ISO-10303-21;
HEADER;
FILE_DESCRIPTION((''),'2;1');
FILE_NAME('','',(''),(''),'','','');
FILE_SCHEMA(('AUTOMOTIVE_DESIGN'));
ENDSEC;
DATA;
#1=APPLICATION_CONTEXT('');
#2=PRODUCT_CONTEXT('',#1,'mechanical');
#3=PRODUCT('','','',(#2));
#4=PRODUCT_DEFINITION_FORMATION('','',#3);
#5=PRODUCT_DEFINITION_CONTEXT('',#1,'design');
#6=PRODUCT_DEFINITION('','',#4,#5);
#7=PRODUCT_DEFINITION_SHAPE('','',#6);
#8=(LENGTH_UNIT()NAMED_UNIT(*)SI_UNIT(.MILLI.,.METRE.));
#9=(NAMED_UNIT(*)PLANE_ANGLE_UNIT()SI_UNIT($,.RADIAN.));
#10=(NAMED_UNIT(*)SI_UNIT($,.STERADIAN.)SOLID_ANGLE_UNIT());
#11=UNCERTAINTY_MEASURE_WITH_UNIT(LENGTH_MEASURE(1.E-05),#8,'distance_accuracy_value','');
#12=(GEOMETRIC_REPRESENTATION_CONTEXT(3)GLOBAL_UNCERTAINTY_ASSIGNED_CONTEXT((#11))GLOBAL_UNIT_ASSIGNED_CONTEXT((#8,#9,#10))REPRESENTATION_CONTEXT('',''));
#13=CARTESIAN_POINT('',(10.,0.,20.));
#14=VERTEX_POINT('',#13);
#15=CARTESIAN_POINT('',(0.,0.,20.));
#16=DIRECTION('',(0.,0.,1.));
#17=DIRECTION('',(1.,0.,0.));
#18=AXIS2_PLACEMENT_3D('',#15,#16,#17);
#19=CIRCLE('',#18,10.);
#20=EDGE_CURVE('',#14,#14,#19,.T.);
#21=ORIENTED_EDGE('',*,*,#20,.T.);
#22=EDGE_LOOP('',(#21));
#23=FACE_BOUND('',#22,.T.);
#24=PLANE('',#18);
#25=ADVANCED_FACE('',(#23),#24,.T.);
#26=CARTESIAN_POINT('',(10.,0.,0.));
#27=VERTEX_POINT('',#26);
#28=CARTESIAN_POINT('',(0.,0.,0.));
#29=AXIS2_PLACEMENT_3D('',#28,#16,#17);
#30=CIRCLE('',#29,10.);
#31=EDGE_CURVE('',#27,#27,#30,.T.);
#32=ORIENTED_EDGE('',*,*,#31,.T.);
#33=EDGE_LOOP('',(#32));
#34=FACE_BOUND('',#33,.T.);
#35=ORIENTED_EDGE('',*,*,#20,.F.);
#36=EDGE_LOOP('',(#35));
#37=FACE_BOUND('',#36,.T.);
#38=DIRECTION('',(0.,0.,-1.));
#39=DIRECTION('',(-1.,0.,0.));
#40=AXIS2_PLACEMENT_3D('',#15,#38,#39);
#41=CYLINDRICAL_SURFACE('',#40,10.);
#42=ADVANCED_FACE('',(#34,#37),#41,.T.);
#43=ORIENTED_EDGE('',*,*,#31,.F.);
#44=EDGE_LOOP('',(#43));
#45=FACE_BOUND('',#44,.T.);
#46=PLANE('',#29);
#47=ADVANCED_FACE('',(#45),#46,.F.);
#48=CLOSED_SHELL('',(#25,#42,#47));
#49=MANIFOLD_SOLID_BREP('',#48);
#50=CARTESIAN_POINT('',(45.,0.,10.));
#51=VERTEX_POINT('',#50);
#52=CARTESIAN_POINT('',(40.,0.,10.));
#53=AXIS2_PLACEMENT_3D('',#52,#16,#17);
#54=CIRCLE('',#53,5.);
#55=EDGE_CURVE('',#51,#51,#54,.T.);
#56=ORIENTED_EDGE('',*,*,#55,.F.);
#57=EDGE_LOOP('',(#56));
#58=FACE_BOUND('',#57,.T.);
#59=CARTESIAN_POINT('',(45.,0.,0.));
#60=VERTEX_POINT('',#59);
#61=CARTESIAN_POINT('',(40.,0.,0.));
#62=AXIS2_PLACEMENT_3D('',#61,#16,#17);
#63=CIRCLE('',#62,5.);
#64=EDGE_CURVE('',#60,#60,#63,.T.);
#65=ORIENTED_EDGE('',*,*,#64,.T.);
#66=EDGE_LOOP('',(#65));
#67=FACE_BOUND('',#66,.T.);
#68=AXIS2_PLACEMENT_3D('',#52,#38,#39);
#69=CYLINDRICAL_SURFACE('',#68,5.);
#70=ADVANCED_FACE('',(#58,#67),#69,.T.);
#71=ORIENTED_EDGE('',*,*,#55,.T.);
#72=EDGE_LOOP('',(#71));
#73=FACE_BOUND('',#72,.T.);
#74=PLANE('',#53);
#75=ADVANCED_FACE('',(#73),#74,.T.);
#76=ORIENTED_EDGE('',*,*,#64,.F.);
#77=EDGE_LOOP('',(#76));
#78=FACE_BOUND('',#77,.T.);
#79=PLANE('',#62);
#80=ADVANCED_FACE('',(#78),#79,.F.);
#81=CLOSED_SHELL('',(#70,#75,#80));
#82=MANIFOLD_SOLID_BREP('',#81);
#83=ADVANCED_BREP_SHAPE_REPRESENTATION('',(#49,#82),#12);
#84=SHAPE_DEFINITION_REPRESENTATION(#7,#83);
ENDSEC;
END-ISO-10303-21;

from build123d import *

# Parameters (mm, degrees)
SKETCH_FIRST_R       = 10
FEATURE_FIRST_DEPTH  = 20
SKETCH_SECOND_R      = 5
FEATURE_SECOND_DEPTH = 10


with BuildPart() as part:
    # sketch:first → feature:first (new body)
    with BuildSketch(Plane.XY):
        Circle(SKETCH_FIRST_R)
    extrude(amount=FEATURE_FIRST_DEPTH)


with BuildPart() as body_2:
    # sketch:second → feature:second (new body)
    with BuildSketch(Plane.XY):
        with Locations((40, 0)):
            Circle(SKETCH_SECOND_R)
    extrude(amount=FEATURE_SECOND_DEPTH)


solid = Compound([part.part, body_2.part])
